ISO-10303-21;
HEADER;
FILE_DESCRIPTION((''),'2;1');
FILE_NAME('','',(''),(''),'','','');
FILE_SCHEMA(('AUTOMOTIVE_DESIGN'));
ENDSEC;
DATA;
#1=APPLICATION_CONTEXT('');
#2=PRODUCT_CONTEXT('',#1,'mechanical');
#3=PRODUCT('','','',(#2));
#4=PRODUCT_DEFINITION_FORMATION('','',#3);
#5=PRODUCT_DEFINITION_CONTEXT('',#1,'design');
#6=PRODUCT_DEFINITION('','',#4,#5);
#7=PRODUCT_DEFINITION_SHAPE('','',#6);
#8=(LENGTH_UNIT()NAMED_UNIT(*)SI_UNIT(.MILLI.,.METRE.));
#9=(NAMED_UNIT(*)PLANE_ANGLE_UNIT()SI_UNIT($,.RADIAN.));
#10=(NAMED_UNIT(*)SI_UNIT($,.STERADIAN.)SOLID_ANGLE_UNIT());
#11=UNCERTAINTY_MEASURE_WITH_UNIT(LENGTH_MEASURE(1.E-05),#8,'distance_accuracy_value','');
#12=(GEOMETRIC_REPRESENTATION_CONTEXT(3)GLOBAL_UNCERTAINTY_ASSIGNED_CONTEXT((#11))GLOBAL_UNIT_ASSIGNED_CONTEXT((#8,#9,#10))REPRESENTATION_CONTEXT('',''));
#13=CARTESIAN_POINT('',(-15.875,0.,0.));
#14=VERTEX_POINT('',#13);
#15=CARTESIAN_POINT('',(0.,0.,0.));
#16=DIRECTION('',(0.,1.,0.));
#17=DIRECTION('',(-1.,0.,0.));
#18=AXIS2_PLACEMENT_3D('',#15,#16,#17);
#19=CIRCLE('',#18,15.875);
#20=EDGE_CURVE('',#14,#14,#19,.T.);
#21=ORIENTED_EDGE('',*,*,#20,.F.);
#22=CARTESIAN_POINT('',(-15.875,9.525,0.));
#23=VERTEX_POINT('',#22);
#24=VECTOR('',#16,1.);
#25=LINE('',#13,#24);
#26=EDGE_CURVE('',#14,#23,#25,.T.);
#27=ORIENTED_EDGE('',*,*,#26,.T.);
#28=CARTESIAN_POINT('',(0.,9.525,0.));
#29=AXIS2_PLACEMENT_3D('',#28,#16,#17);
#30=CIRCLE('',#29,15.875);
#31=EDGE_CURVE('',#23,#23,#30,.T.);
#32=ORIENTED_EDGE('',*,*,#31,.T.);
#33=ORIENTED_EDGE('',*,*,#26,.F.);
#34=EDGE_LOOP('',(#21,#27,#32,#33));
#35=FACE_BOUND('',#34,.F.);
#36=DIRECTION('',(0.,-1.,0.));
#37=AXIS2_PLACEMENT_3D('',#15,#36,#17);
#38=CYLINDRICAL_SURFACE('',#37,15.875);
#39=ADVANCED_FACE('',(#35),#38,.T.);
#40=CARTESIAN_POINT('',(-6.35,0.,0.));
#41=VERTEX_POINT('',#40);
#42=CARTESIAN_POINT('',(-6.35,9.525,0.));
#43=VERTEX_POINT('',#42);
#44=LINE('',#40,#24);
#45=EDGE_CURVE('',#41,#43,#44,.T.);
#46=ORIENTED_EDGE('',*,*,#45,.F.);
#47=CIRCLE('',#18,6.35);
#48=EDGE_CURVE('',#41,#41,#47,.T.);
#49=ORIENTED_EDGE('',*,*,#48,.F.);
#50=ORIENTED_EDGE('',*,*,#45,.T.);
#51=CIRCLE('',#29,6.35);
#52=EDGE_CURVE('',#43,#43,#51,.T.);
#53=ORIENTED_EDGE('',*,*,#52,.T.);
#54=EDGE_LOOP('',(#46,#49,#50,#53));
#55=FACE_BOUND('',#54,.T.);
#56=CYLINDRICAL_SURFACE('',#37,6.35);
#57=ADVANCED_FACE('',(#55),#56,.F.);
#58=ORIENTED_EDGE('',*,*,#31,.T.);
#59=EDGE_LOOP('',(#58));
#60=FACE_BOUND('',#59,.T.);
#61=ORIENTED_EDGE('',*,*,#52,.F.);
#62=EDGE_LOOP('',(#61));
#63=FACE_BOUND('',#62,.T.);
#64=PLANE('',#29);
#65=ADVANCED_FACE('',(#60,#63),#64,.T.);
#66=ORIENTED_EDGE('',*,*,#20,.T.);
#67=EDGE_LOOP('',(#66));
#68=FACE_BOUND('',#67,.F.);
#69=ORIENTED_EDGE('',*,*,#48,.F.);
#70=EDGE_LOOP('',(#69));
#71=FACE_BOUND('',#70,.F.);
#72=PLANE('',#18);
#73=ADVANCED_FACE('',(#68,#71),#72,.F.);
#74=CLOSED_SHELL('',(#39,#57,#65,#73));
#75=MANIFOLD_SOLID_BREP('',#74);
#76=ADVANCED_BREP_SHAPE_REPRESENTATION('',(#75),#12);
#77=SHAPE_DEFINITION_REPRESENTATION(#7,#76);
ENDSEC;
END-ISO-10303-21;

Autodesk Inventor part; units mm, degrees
ref_plane "YZ Plane" through (0, 0, 0) normal (1, 0, 0) x (0, 1, 0)
ref_plane "XZ Plane" through (0, 0, 0) normal (0, 1, 0) x (-1, 0, 0)
ref_plane "XY Plane" through (0, 0, 0) normal (0, 0, 1) x (1, 0, 0)
sketch "Sketch1" plane through (0, 0, 0) normal (0, 1, 0) x (-1, 0, 0)
  circle A0 centre (0, 0) radius 15.875
  circle A1 centre (0, 0) radius 6.35
  dimension "d0" = 31.75
  dimension "d4" = 12.7
extrude "Extrusion1" add sketch "Sketch1" along normal blind 9.525
properties part number "Shooting_Ball_Bearing"
